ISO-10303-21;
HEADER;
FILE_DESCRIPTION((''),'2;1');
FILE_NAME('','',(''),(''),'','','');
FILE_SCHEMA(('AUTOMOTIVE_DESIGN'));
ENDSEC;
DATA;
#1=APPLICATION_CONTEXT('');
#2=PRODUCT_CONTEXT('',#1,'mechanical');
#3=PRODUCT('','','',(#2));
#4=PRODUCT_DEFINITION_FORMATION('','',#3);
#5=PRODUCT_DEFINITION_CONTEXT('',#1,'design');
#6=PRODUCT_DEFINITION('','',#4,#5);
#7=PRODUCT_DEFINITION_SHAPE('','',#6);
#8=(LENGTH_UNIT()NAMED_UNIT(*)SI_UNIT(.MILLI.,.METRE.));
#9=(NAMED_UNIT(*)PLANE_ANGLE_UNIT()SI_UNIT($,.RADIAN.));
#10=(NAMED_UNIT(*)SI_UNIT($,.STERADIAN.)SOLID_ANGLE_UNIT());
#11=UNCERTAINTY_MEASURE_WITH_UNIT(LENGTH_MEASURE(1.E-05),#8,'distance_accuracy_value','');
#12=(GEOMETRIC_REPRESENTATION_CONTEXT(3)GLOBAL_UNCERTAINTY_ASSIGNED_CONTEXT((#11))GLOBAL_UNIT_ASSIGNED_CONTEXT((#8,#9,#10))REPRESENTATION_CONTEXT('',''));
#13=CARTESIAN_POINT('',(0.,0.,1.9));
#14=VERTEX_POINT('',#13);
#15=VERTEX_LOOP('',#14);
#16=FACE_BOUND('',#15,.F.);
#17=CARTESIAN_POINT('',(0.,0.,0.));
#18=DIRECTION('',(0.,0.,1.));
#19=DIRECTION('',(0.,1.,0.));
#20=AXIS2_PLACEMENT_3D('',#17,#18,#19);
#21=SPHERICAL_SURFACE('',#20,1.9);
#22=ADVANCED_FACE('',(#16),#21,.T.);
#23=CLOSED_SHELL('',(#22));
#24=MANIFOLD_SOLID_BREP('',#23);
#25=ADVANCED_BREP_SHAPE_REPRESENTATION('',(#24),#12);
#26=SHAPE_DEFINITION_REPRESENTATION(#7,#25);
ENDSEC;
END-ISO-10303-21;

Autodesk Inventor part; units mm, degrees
sketch "Sketch_2" plane through (0, 0, 0) normal (1, 0, 0) x (0, 1, 0)
  line L0 (0, -1.9) -> (0, 1.9)
  arc A0 (0, -1.9) -> (0, 1.9) centre (0, 0) ccw
  line L1 (0, -1.9) -> (0, 1.9)
revolve "Revolution1" add sketch "Sketch_2" angle 360 about axis through (0, 0, -1.9) along (0, 0, -1)
ref_plane "to_rail_XY" through (0, 0, 0) normal (1, 0, 0) x (0, 0, -1)
ref_plane "to_rail_YZ" through (0, 0, 0) normal (0, 0, -1) x (0, 1, 0)
ref_plane "to_rail_ZX" through (0, 0, 0) normal (0, 1, 0) x (1, 0, 0)
properties part number "SAR3_ba"
